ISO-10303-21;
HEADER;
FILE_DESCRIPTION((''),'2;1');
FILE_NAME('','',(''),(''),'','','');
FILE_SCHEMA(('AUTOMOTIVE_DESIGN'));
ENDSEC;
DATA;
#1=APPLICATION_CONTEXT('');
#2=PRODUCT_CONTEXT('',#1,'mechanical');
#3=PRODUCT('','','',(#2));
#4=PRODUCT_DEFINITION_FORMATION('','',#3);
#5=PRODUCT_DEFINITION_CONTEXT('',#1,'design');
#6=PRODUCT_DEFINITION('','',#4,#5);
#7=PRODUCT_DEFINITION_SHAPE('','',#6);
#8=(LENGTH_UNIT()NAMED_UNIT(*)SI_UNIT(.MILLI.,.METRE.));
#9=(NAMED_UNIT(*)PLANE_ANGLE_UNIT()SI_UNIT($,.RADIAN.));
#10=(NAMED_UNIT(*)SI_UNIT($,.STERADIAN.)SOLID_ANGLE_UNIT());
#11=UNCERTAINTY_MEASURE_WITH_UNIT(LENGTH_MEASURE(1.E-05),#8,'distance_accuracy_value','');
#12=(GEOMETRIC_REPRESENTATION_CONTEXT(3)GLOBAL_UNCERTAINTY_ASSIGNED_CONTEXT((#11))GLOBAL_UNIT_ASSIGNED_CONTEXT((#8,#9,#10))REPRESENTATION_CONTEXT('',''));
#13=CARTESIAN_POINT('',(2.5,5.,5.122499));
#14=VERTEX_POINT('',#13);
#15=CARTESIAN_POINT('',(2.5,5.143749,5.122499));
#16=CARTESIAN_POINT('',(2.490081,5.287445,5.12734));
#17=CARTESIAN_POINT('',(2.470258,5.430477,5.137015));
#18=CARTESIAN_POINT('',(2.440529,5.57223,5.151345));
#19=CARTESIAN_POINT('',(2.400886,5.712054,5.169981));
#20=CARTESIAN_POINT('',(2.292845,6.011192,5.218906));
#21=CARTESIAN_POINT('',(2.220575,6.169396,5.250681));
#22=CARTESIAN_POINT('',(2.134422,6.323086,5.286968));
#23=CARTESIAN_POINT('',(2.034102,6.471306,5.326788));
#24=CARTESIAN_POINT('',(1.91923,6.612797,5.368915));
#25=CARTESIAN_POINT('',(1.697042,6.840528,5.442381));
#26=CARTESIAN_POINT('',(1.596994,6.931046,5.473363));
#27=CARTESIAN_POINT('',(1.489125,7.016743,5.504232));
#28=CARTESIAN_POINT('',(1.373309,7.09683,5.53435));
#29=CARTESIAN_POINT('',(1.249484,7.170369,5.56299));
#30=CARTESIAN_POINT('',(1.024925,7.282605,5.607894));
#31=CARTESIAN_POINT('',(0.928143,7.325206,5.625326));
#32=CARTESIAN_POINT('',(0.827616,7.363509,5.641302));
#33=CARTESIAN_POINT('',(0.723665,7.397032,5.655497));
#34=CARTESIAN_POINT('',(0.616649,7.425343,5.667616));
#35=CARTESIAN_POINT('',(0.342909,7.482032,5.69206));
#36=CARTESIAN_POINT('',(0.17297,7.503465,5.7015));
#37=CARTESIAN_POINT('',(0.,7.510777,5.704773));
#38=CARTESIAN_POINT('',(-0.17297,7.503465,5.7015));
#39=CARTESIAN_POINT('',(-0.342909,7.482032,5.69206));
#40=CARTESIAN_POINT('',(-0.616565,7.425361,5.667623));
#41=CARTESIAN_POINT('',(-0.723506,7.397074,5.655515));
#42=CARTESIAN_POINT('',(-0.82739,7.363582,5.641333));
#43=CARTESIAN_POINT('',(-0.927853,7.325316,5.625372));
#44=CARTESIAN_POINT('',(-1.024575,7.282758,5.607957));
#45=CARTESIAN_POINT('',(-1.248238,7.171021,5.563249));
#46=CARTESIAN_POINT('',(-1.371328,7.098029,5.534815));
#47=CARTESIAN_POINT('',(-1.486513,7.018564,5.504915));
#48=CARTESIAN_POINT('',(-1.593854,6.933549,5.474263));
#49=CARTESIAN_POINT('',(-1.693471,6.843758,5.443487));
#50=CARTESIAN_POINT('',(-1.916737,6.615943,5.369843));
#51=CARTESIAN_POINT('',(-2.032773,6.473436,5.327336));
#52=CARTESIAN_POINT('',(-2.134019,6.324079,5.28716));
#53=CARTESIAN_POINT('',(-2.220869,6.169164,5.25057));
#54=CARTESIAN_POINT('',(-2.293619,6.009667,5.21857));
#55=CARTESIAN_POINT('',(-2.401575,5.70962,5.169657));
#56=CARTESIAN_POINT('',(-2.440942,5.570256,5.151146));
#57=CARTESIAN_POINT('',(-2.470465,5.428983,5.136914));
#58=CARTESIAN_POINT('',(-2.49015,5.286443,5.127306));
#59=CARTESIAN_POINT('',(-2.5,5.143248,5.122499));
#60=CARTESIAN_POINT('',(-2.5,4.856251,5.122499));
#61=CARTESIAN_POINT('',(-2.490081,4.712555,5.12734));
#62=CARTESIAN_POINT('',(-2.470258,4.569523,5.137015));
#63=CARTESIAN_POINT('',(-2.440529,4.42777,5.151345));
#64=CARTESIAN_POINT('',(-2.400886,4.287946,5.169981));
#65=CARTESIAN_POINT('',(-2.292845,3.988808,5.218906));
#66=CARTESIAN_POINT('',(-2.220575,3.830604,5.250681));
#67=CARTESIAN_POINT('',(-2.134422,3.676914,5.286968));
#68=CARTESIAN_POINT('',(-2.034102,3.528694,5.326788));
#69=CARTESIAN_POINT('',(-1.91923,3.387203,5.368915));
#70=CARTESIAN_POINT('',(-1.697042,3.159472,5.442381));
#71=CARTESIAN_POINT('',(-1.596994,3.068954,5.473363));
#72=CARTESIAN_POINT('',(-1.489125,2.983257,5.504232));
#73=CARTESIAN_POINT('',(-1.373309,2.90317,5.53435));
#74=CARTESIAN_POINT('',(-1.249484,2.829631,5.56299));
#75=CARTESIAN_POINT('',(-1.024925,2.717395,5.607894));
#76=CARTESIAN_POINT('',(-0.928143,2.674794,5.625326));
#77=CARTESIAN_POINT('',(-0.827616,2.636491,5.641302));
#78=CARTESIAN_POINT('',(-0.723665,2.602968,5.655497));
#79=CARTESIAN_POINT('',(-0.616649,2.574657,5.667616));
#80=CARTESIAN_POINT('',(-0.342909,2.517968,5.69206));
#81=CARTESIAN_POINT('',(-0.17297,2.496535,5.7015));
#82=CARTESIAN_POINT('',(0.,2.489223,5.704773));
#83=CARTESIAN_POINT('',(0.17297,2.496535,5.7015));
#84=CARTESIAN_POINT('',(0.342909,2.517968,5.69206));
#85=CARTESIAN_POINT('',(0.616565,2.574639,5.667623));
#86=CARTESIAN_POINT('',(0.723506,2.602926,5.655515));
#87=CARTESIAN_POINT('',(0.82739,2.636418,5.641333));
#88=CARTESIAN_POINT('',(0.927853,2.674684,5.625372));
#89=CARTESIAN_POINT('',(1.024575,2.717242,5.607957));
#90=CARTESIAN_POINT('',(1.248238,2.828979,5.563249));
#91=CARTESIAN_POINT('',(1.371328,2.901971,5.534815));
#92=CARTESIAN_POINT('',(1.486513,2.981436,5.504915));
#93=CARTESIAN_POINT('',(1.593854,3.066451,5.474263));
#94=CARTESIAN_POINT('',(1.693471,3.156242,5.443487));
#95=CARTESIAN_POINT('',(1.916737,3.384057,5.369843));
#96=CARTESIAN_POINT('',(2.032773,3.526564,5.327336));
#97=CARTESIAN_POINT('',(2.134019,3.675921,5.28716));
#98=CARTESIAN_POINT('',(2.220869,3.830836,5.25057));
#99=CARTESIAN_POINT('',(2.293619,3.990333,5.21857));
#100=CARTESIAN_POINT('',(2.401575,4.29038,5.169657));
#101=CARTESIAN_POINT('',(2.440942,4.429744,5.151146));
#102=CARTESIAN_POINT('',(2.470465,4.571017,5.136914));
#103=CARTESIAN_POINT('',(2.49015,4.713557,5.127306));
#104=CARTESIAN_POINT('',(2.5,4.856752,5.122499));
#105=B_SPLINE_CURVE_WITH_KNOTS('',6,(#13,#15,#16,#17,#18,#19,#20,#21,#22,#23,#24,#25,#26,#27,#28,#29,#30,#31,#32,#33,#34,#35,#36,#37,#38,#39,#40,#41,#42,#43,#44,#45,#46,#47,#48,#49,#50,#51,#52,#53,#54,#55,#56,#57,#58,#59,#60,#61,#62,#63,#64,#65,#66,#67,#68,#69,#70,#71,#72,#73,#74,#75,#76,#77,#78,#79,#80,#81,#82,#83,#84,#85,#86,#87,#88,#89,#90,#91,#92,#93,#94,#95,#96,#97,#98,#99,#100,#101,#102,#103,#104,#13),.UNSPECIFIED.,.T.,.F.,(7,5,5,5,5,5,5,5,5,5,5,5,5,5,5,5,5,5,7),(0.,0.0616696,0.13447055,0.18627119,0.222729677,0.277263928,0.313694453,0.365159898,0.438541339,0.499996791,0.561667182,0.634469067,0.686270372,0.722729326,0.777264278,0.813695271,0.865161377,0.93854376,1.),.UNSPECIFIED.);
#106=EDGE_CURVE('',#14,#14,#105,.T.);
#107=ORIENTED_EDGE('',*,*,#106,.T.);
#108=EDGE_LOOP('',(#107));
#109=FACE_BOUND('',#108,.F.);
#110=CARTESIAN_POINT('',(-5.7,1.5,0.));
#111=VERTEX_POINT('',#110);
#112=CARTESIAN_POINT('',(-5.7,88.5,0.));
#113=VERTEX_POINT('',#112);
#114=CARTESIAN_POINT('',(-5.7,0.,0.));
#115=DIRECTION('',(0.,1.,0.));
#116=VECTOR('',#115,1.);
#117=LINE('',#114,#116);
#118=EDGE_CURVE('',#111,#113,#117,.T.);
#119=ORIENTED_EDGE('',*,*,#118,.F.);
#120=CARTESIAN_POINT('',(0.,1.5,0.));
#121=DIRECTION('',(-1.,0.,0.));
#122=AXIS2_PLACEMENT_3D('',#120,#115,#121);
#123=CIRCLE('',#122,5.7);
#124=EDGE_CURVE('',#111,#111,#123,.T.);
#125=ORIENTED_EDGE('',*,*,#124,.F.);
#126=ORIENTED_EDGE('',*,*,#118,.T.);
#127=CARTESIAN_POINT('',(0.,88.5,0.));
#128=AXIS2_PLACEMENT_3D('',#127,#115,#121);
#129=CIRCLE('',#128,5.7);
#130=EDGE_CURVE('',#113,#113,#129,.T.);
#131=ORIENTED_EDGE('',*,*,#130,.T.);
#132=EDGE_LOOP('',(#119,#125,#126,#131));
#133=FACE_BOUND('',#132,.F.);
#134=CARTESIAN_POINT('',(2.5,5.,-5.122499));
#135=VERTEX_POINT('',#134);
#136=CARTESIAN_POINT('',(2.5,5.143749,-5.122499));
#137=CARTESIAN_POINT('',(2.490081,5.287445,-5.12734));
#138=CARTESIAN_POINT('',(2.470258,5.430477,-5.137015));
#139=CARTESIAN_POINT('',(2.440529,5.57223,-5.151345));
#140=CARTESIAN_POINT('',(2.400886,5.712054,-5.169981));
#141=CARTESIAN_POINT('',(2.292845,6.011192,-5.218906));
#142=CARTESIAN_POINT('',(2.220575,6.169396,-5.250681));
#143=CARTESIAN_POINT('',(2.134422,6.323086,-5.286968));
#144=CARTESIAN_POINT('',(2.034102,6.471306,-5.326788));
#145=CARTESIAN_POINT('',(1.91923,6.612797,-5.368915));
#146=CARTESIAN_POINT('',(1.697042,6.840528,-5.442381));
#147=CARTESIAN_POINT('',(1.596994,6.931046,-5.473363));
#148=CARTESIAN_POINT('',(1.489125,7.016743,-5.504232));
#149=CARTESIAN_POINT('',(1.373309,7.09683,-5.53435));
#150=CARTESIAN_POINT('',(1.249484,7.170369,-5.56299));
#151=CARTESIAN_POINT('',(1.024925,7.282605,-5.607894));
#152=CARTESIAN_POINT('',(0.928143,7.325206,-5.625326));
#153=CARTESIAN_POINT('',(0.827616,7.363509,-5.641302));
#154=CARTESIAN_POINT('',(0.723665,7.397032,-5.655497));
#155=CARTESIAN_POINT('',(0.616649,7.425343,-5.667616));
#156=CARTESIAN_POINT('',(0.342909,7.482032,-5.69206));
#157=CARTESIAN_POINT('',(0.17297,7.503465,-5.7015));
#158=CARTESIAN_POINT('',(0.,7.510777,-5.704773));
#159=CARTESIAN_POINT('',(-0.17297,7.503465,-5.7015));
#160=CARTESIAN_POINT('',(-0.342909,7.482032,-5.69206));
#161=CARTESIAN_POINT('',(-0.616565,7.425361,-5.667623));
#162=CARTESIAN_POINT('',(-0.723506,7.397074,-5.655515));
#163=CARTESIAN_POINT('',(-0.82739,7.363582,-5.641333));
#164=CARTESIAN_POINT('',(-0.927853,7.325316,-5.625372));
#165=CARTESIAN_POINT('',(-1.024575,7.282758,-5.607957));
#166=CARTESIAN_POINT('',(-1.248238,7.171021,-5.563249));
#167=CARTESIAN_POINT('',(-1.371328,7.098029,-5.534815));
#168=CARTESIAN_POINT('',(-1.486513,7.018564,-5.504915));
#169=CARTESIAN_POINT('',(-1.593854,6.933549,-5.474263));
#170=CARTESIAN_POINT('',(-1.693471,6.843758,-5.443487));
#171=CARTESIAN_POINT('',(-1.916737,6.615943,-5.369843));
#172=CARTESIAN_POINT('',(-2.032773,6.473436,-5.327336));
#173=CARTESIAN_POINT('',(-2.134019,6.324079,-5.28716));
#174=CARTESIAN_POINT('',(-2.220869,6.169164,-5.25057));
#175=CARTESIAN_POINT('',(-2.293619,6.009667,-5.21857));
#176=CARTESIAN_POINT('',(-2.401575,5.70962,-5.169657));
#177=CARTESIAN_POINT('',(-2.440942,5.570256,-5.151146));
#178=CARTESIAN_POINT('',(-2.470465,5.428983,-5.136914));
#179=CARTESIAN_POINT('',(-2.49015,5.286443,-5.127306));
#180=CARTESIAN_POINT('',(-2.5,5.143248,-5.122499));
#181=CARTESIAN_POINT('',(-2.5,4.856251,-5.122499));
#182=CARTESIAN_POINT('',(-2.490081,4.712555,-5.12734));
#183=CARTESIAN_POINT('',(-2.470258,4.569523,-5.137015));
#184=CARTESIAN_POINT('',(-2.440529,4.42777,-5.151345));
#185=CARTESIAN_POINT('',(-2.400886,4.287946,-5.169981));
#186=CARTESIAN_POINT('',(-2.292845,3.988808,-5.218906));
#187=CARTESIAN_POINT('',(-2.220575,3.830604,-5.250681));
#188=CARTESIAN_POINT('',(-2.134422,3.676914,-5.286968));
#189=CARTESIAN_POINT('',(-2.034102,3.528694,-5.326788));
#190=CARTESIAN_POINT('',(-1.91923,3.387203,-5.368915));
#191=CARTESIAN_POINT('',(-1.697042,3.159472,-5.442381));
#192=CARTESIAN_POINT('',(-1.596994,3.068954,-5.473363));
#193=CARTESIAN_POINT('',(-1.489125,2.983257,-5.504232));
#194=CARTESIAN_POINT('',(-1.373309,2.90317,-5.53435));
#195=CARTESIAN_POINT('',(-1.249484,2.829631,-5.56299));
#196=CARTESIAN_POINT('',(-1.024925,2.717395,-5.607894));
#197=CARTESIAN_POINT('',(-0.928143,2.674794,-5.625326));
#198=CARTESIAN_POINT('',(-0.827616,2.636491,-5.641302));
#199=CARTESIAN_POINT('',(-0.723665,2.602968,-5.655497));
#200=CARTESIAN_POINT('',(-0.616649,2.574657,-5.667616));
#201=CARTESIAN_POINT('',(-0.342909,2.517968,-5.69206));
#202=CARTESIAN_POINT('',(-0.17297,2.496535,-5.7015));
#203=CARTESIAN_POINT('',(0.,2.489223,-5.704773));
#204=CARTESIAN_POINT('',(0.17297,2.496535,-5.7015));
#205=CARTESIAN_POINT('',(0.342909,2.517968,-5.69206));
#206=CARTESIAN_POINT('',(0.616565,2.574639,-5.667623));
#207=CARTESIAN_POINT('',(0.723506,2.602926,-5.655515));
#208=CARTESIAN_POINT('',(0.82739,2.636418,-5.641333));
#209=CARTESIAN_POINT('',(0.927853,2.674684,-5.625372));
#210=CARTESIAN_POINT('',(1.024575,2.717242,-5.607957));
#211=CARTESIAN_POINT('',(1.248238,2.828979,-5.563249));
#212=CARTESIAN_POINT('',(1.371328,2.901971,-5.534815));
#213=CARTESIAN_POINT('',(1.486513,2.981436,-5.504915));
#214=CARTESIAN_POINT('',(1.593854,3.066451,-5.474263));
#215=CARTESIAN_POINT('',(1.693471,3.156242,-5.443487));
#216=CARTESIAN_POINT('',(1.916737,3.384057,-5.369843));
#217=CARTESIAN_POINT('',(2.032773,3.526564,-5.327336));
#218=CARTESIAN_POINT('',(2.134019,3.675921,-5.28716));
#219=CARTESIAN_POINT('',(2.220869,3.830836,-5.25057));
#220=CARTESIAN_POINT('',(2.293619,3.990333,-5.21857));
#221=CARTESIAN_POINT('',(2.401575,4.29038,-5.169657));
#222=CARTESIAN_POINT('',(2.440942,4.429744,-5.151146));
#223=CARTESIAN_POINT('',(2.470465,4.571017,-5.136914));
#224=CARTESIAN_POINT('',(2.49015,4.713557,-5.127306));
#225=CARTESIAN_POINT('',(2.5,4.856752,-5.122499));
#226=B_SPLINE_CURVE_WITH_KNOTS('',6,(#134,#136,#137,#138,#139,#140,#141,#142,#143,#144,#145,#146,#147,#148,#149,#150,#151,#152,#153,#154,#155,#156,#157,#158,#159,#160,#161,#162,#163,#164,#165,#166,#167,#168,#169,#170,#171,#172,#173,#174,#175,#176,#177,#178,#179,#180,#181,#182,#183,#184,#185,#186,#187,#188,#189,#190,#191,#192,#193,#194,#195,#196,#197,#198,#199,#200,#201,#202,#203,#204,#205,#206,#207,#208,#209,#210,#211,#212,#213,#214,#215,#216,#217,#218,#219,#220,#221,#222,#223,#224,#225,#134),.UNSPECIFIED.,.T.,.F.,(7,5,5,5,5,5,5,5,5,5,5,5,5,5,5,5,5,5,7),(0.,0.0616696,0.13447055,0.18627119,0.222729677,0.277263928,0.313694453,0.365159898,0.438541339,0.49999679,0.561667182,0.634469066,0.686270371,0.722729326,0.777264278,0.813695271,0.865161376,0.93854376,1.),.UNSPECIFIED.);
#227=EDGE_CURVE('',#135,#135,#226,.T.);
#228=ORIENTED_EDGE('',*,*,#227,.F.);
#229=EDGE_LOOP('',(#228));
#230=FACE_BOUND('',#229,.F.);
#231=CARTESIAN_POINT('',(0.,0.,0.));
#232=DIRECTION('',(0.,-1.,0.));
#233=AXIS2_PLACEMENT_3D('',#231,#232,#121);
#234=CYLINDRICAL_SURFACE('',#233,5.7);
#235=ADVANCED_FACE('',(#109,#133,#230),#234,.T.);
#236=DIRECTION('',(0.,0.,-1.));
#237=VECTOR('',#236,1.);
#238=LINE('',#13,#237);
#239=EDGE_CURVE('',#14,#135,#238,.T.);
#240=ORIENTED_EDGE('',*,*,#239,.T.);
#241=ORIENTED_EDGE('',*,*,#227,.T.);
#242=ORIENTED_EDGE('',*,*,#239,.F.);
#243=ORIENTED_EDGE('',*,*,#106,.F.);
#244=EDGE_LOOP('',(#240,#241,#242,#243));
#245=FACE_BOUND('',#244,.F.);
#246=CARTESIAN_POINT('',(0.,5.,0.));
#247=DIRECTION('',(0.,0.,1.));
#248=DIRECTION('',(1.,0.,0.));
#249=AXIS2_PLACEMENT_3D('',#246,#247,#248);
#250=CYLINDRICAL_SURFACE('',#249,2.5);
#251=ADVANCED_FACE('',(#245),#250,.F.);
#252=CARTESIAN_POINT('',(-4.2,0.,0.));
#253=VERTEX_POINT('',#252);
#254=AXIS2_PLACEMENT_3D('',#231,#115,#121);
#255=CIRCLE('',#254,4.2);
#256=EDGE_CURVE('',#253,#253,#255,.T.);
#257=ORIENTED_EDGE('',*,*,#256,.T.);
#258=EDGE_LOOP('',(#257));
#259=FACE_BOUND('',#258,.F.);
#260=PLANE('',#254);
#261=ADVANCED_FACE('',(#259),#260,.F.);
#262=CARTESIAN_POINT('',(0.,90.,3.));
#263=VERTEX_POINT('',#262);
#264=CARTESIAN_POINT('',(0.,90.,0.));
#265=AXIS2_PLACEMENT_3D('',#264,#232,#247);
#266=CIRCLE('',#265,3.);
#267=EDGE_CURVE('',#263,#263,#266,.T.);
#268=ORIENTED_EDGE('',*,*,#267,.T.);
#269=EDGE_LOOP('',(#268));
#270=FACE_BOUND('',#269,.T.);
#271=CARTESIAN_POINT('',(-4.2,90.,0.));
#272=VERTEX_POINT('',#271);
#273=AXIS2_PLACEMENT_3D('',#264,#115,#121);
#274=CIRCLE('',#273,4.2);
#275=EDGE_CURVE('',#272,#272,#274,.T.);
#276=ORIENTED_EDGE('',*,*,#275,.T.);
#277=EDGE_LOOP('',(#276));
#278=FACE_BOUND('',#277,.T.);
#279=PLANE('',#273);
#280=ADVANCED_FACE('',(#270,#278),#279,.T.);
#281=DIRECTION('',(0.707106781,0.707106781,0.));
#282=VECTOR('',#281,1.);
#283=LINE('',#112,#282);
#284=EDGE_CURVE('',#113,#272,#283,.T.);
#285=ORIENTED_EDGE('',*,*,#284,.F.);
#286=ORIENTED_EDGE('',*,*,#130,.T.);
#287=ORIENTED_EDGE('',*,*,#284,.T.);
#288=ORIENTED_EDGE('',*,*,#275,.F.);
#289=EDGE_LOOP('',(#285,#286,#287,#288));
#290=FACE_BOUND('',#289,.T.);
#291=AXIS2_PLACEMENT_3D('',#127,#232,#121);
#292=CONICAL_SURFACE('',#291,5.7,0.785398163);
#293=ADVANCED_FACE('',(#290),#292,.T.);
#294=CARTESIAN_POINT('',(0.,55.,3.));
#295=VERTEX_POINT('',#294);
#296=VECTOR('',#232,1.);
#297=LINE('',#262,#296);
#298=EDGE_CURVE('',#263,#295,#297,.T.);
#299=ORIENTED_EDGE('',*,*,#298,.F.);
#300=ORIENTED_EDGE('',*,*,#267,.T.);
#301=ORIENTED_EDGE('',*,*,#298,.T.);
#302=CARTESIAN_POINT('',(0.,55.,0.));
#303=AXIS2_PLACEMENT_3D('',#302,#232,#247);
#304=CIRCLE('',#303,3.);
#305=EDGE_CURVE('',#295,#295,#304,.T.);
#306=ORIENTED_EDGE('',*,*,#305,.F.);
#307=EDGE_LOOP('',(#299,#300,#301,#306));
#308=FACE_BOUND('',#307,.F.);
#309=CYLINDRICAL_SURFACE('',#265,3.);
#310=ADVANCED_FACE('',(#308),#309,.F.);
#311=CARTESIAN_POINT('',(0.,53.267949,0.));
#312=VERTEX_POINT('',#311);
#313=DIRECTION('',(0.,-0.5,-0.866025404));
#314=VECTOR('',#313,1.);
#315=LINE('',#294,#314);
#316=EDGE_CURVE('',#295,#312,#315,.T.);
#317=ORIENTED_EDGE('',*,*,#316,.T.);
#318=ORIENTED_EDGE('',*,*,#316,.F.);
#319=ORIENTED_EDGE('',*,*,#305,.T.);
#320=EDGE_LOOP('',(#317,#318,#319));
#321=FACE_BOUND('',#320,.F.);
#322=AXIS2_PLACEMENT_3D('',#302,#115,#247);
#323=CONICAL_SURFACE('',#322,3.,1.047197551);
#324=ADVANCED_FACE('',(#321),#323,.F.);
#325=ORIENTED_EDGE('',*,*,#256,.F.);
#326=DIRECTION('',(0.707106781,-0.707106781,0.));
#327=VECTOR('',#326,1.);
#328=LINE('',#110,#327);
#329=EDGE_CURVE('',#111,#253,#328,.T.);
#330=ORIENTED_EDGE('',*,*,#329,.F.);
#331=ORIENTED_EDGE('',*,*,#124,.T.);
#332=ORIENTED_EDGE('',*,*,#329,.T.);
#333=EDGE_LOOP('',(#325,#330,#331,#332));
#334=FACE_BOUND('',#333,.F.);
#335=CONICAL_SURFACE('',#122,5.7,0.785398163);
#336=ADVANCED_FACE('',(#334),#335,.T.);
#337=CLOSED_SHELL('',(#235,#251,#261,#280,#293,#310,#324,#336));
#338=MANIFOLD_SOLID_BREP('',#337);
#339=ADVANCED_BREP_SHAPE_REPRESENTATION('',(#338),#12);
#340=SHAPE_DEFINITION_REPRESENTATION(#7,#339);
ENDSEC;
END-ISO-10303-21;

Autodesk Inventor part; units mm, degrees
ref_plane "YZ Plane" through (0, 0, 0) normal (1, 0, 0) x (0, 1, 0)
ref_plane "XZ Plane" through (0, 0, 0) normal (0, 1, 0) x (-1, 0, 0)
ref_plane "XY Plane" through (0, 0, 0) normal (0, 0, 1) x (1, 0, 0)
sketch "Szkic1" plane through (0, 0, 0) normal (0, 1, 0) x (-1, 0, 0)
  circle A0 centre (0, 0) radius 5.7
  dimension "d0" = 11.4
extrude "Wyciągnięcie proste1" add sketch "Szkic1" along normal blind 90
sketch "Szkic5" plane through (0, 90, 0) normal (0, 1, 0) x (1, 0, 0)
  point P0 (0, 0)
  point P1 (0, 0)
hole "Otwór2" at (0, 90, 0) direction (0, -1, 0) diameter 6 depth 35 tip angle 120
chamfer "Faza1" distance 1.5 angle 45 2 edges at (5.7, 90, 0) (5.7, 0, 0)
sketch "Szkic6" plane through (0, 0, 0) normal (0, 0, 1) x (1, 0, 0)
  circle A0 centre (0, 5) radius 2.5
  point P0 (0, 0)
  dimension "d20" = 5
extrude "Wyciągnięcie proste2" cut sketch "Szkic6" along normal mid plane 30
properties material "Stal nierdzewna"
